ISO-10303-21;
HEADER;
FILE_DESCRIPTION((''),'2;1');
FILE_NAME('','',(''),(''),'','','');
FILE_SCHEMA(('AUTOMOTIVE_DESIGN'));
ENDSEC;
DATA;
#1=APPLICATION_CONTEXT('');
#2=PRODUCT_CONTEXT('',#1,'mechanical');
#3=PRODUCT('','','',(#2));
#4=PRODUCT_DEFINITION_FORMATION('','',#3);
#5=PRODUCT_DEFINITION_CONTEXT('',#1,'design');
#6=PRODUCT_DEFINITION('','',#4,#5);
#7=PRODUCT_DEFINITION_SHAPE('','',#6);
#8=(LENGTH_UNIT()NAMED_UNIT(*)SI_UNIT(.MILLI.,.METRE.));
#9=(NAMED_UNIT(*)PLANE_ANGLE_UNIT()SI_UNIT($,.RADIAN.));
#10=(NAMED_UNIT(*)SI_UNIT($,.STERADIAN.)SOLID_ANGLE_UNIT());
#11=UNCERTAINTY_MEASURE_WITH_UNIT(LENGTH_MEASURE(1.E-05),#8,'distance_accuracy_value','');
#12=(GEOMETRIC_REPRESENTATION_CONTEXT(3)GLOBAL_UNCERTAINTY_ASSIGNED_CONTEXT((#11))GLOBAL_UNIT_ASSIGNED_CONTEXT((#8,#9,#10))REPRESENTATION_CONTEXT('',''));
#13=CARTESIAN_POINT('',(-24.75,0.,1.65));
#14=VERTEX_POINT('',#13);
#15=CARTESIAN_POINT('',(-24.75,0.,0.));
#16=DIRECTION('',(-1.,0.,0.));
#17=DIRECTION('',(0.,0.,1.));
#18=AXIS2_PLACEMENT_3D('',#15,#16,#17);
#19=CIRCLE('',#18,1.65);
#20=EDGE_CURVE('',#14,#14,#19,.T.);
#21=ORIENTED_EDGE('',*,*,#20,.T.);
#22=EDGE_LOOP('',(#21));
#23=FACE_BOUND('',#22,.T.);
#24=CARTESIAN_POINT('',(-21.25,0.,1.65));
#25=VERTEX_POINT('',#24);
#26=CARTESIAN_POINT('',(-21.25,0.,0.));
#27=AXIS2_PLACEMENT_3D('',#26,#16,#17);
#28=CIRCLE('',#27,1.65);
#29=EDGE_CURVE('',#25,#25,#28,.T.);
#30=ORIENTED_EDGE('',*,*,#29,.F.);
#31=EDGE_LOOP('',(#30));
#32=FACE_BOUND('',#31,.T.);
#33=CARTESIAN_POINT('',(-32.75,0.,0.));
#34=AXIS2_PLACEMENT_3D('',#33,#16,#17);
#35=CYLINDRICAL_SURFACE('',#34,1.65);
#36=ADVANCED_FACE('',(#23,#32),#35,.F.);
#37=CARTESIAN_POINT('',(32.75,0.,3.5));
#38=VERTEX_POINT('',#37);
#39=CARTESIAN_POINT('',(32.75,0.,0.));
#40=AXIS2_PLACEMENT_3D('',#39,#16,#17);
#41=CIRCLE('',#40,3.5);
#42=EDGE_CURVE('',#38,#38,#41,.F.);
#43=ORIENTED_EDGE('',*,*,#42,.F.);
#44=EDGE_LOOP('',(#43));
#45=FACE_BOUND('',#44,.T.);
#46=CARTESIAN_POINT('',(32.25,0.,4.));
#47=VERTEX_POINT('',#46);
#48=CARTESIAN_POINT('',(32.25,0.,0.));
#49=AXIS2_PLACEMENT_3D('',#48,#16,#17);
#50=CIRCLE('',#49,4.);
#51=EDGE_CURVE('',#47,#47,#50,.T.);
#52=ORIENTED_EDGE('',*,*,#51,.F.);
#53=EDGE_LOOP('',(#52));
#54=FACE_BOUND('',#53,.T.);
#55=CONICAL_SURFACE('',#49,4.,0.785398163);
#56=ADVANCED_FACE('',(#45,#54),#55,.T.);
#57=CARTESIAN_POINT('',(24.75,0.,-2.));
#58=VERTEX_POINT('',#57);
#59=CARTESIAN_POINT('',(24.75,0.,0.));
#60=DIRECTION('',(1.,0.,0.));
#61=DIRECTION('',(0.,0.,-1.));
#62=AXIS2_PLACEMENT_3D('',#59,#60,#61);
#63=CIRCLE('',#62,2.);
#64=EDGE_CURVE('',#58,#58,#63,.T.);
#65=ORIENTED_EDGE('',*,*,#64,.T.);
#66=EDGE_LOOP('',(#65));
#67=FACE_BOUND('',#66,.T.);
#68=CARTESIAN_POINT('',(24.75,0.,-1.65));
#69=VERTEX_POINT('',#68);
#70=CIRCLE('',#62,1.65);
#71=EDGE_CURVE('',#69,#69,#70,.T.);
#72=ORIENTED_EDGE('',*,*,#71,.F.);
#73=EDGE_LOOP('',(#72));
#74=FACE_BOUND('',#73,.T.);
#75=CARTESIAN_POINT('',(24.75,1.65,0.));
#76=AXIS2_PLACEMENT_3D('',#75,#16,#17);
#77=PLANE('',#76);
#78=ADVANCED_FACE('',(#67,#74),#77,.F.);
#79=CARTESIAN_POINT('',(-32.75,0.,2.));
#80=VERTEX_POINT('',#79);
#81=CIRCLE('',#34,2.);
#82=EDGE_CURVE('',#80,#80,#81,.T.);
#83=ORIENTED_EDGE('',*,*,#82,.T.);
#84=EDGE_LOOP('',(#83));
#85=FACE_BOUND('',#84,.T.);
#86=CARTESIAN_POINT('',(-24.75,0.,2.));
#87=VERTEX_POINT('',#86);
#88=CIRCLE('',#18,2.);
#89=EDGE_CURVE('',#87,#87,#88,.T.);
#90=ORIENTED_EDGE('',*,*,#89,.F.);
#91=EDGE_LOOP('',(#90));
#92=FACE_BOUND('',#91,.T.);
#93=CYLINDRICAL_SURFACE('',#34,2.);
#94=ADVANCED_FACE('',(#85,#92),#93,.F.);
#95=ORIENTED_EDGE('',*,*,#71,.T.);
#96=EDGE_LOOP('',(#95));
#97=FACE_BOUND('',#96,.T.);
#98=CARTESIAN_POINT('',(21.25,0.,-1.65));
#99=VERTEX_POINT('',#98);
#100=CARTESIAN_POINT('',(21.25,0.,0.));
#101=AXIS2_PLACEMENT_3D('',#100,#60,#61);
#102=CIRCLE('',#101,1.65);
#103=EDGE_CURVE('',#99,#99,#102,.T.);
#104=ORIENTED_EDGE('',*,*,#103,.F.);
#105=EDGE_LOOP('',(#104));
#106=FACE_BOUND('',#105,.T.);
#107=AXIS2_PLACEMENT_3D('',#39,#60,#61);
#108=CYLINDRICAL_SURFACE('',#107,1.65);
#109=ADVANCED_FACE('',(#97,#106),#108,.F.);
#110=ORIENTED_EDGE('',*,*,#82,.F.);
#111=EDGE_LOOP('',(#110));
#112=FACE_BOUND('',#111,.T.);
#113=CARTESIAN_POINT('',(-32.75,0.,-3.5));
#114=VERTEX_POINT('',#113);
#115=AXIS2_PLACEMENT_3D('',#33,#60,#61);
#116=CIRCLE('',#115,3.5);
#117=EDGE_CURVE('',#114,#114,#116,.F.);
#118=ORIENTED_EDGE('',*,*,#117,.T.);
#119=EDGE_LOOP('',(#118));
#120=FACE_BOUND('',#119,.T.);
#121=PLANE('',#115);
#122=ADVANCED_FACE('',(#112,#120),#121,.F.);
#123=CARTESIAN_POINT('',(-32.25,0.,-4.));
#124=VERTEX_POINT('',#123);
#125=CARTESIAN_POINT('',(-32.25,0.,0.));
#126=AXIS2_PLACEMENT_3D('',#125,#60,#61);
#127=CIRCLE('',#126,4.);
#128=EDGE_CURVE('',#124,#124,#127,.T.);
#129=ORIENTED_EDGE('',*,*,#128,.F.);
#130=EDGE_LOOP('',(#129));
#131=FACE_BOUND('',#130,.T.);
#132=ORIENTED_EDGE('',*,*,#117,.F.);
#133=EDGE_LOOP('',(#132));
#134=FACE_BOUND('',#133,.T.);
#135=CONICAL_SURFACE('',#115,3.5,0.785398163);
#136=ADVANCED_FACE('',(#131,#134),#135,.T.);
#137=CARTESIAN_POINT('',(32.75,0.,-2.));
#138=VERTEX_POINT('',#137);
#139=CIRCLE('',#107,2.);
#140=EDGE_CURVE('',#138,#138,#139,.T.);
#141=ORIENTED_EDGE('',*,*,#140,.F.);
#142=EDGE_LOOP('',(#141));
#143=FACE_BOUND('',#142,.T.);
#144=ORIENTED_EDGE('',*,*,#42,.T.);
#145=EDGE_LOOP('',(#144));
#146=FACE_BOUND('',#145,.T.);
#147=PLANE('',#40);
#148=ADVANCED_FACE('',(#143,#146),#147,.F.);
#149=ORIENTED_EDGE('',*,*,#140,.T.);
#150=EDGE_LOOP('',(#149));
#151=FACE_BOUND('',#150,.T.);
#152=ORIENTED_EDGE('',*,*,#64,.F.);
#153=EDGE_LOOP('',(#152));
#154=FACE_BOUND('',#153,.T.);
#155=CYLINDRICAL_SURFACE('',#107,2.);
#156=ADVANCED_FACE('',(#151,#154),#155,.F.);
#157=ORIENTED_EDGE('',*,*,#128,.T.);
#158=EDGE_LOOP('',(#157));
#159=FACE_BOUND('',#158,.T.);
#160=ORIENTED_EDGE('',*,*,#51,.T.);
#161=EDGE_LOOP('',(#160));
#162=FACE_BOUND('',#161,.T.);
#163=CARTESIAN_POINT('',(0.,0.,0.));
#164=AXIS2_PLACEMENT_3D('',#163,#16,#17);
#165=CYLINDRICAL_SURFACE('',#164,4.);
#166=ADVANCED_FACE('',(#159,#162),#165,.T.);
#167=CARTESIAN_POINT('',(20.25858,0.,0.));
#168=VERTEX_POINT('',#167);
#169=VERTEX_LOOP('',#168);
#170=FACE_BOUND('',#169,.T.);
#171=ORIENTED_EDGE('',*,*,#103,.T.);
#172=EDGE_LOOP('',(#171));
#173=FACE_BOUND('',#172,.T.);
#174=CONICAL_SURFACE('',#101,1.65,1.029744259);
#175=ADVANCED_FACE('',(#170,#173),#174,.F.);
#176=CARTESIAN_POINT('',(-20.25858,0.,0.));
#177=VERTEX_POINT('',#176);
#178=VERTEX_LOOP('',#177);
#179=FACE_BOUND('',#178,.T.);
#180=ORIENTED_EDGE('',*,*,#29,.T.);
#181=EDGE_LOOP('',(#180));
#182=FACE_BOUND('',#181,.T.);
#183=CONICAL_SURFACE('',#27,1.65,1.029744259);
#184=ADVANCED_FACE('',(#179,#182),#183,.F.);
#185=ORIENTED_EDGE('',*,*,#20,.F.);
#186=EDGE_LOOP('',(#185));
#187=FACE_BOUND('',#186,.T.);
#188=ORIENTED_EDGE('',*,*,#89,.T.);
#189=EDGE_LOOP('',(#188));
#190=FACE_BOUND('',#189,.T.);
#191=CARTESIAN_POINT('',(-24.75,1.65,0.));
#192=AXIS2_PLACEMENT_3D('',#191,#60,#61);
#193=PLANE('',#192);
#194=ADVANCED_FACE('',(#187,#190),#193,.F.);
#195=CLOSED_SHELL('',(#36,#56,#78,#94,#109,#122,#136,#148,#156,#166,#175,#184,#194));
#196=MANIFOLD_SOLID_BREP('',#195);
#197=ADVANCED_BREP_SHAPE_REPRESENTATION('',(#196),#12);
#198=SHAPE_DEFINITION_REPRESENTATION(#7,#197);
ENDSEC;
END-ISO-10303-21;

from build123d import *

# Parameters (mm, degrees)
SKETCH_1_W                     = 65.5
SKETCH_1_H                     = 4
M4X0_7_1_D                     = 3.3
M4X0_7_1_DEPTH                 = 11.5
M4X0_7_1_CBORE_D               = 4
M4X0_7_1_CBORE_DEPTH           = 8
M4X0_7_1_TIP                   = 0.991420021
M4X0_7_1_ON_FACE_2_D           = 3.3
M4X0_7_1_ON_FACE_2_DEPTH       = 11.5
M4X0_7_1_ON_FACE_2_CBORE_D     = 4
M4X0_7_1_ON_FACE_2_CBORE_DEPTH = 8
M4X0_7_1_ON_FACE_2_TIP         = 0.991420021
CHAMFER_1_SIZE                 = 0.5


with BuildPart() as part:
    # ｽｹｯﾁ1 → 回転1 (revolve)
    with BuildSketch(Plane.XY, mode=Mode.PRIVATE) as revolve_1_sk:
        with Locations((0, 2)):
            Rectangle(SKETCH_1_W, SKETCH_1_H)
    revolve(revolve_1_sk.sketch.rotate(Axis((0, 0, 0), (1, 0, 0)), 90), axis=Axis((0, 0, 0), (1, 0, 0)))

    # M4x0.7 ねじ穴1
    with Locations(Plane(origin=(32.75, 0, 0), x_dir=(0, 0, 1), z_dir=(1, 0, 0))):
        with Locations((0, 0)):
            CounterBoreHole(M4X0_7_1_D / 2, M4X0_7_1_CBORE_D / 2, M4X0_7_1_CBORE_DEPTH, depth=M4X0_7_1_DEPTH)
            with Locations((0, 0, -(M4X0_7_1_DEPTH + M4X0_7_1_TIP / 2))):  # 118° drill point
                Cone(0, M4X0_7_1_D / 2, M4X0_7_1_TIP, mode=Mode.SUBTRACT)

    # M4x0.7 ねじ穴1 on face 2
    with Locations(Plane(origin=(-32.75, 0, 0), x_dir=(0, 0, -1), z_dir=(-1, 0, 0))):
        with Locations((0, 0)):
            CounterBoreHole(M4X0_7_1_ON_FACE_2_D / 2, M4X0_7_1_ON_FACE_2_CBORE_D / 2, M4X0_7_1_ON_FACE_2_CBORE_DEPTH, depth=M4X0_7_1_ON_FACE_2_DEPTH)
            with Locations((0, 0, -(M4X0_7_1_ON_FACE_2_DEPTH + M4X0_7_1_ON_FACE_2_TIP / 2))):  # 118° drill point
                Cone(0, M4X0_7_1_ON_FACE_2_D / 2, M4X0_7_1_ON_FACE_2_TIP, mode=Mode.SUBTRACT)

    # 面取り1
    chamfer_1_edges = [part.edges().sort_by_distance(p)[0] for p in [
        (32.75, 0, -4),
        (-32.75, 0, -4),
    ]]
    chamfer(chamfer_1_edges, length=CHAMFER_1_SIZE)


solid = part.part
